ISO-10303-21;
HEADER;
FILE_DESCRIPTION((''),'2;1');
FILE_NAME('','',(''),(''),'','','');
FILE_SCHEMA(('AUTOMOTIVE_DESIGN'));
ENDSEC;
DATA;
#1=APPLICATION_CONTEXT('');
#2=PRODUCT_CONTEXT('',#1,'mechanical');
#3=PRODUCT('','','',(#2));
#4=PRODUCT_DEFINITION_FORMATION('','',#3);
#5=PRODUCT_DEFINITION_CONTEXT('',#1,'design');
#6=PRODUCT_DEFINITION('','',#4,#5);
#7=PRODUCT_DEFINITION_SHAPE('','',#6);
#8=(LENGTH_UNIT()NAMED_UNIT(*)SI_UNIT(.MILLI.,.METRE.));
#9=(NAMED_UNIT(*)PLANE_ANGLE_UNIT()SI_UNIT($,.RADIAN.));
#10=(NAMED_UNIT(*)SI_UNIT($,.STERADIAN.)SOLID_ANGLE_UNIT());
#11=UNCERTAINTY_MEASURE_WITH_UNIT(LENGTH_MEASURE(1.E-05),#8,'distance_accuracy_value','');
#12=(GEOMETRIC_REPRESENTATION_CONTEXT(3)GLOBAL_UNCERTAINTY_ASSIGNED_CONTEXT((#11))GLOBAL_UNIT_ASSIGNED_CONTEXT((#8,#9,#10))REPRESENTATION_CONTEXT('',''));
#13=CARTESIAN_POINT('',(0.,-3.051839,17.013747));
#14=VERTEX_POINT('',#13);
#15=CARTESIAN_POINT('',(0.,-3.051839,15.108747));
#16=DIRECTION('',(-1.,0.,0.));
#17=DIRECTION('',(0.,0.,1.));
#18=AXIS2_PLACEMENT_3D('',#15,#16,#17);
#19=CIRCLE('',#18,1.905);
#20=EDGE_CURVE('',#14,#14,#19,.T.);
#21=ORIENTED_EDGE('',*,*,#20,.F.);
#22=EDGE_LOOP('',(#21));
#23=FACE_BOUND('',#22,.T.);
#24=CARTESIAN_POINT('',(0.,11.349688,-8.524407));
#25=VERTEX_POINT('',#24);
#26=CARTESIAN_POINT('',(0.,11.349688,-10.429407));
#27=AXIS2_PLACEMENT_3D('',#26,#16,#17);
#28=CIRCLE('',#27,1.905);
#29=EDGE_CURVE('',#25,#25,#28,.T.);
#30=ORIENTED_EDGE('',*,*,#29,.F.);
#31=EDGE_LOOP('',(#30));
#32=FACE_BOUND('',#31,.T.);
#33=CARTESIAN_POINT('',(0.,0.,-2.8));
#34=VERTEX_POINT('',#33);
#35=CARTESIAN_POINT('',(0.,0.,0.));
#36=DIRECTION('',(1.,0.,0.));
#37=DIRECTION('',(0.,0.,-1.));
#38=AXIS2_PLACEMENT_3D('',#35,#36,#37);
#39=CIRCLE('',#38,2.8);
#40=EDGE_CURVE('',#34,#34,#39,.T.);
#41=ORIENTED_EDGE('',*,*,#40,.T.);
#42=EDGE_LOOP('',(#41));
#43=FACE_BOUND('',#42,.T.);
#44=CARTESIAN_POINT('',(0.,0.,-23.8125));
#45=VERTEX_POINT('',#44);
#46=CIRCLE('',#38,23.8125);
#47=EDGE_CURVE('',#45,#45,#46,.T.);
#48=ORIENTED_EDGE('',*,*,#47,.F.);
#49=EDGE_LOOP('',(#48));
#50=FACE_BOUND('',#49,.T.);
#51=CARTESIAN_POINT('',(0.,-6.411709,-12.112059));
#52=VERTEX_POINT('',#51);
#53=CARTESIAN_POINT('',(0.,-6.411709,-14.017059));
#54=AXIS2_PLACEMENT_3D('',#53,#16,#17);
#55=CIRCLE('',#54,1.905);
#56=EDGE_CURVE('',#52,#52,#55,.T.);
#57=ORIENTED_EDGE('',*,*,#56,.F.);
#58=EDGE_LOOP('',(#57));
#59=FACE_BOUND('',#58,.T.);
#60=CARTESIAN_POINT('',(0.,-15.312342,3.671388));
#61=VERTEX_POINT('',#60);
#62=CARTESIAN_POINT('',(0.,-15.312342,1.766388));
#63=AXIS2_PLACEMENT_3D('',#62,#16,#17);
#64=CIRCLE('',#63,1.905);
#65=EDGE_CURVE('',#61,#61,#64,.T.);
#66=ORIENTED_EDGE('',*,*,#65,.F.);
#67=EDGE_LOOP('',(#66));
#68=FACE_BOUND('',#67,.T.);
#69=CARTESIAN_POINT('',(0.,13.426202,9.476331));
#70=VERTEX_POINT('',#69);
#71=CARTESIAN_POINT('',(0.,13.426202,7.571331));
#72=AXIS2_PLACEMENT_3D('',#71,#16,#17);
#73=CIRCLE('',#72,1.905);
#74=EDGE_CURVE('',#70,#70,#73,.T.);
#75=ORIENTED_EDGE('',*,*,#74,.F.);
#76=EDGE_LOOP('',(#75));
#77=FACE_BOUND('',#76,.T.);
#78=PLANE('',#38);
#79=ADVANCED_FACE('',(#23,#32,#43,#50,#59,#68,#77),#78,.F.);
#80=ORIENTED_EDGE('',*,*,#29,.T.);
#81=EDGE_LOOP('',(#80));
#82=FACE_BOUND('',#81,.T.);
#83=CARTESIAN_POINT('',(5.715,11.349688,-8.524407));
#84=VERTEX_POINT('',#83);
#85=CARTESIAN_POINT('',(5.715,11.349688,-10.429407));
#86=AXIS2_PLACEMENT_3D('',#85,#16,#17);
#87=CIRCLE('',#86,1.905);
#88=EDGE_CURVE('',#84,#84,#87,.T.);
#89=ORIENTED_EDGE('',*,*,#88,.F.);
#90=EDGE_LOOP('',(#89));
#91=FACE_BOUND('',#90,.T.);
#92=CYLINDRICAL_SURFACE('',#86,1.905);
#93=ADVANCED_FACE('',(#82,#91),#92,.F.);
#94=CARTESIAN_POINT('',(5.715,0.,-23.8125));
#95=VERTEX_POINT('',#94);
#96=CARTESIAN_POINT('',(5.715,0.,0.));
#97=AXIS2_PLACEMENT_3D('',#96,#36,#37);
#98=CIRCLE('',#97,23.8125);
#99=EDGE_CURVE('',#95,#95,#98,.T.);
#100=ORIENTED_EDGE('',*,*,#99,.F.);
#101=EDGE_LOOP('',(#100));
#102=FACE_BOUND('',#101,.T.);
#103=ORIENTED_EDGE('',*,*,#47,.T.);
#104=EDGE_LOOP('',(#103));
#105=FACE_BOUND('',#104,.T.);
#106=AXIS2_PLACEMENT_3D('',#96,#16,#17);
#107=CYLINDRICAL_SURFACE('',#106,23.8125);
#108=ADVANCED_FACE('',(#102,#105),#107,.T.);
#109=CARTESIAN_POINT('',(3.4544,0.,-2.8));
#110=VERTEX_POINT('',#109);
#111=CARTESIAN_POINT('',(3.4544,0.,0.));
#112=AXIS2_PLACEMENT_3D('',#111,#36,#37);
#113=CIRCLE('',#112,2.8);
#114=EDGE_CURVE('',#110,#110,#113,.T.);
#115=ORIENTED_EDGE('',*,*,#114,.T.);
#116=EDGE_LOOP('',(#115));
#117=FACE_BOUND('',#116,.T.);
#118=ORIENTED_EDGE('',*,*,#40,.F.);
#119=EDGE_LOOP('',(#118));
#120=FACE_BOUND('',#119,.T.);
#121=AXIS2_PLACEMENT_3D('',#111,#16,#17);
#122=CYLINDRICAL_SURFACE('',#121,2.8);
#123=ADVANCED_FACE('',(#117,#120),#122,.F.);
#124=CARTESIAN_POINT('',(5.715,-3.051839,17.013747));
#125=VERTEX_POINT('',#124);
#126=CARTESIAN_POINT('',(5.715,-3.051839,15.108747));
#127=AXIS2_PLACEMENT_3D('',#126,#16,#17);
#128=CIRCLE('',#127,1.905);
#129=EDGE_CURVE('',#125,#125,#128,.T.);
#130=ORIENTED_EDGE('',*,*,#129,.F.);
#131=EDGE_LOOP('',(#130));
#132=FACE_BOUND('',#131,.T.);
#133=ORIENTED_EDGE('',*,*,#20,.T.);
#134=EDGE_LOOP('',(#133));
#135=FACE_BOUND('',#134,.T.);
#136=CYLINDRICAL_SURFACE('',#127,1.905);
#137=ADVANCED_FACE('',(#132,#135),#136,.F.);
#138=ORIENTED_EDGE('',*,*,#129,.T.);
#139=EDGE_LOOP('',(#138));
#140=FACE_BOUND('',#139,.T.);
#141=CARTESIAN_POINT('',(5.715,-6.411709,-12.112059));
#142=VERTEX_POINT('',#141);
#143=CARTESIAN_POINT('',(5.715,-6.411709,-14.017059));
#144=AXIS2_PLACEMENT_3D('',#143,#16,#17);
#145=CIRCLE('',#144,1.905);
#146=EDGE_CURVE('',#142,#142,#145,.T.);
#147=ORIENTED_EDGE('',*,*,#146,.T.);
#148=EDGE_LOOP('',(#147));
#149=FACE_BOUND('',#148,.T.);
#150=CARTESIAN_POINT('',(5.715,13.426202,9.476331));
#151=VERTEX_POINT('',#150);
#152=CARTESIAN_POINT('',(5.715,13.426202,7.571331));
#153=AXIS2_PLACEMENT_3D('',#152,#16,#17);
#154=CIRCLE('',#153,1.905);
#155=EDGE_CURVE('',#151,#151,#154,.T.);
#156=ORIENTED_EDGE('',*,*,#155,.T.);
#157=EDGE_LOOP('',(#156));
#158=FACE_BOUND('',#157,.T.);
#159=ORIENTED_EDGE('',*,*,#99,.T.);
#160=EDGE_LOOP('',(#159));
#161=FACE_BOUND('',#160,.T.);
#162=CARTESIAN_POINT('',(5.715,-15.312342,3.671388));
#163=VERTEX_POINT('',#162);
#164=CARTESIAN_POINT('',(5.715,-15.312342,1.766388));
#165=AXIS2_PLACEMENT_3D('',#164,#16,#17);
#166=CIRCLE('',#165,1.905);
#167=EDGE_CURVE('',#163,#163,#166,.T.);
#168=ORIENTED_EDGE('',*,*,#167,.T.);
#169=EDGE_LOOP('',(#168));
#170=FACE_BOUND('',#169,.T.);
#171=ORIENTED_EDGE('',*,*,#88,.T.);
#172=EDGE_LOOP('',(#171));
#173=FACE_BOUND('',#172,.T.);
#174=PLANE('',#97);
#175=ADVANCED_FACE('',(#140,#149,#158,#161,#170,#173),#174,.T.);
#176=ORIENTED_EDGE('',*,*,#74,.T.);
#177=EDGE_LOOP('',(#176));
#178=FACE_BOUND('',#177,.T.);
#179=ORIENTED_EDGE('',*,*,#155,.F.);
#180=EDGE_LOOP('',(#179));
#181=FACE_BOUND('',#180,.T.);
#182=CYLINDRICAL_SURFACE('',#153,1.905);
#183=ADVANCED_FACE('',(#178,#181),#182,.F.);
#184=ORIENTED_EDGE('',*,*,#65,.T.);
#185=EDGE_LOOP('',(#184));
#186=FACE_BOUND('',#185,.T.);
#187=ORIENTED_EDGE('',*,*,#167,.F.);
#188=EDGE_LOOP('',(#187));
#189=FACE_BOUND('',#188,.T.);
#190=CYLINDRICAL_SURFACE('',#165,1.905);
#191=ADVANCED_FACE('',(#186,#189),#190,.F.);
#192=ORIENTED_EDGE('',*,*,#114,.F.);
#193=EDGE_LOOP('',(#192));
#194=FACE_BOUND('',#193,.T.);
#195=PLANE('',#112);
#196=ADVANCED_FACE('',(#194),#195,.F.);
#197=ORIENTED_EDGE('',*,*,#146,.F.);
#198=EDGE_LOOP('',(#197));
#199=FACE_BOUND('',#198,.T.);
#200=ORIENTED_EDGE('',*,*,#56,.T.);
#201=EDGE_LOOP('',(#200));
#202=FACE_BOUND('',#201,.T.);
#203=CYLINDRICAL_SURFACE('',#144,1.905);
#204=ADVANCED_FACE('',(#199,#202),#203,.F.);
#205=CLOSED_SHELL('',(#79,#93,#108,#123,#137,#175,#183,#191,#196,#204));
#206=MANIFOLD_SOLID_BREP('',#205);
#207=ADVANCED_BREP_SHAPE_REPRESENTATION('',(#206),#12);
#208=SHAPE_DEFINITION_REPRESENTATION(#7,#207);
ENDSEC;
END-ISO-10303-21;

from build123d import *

# Parameters (mm, degrees)
SKETCH1_R          = 23.8125
WHEEL_BODY_DEPTH   = 5.715
SKETCH2_R          = 2.8
C24T_SPLINE_DEPTH  = 3.4544
SKETCH3_R          = 1.905
CUT_EXTRUDE2_DEPTH = 35.157452152


with BuildPart() as part:
    # Sketch1 → Wheel Body (new body)
    with BuildSketch(Plane(origin=(0, 0, 0), x_dir=(0, 0, -1), z_dir=(1, 0, 0))):
        Circle(SKETCH1_R)
    extrude(amount=WHEEL_BODY_DEPTH)

    # Sketch2 → C24T Spline (cut)
    with BuildSketch(Plane(origin=(0, 0, 0), x_dir=(0, 0, -1), z_dir=(1, 0, 0))):
        Circle(SKETCH2_R)
    extrude(amount=C24T_SPLINE_DEPTH, mode=Mode.SUBTRACT)

    # Sketch3 → Cut-Extrude2 (cut, through all)
    with BuildSketch(Plane.ZY):
        with Locations((-10.429406727, 11.349688472)):
            Circle(SKETCH3_R)
        with Locations((7.571331259, 13.426201847)):
            Circle(SKETCH3_R)
        with Locations((15.108746785, -3.05183939)):
            Circle(SKETCH3_R)
        with Locations((1.766387782, -15.312342319)):
            Circle(SKETCH3_R)
        with Locations((-14.017059099, -6.41170861)):
            Circle(SKETCH3_R)
    extrude(amount=-CUT_EXTRUDE2_DEPTH, mode=Mode.SUBTRACT)


solid = part.part
